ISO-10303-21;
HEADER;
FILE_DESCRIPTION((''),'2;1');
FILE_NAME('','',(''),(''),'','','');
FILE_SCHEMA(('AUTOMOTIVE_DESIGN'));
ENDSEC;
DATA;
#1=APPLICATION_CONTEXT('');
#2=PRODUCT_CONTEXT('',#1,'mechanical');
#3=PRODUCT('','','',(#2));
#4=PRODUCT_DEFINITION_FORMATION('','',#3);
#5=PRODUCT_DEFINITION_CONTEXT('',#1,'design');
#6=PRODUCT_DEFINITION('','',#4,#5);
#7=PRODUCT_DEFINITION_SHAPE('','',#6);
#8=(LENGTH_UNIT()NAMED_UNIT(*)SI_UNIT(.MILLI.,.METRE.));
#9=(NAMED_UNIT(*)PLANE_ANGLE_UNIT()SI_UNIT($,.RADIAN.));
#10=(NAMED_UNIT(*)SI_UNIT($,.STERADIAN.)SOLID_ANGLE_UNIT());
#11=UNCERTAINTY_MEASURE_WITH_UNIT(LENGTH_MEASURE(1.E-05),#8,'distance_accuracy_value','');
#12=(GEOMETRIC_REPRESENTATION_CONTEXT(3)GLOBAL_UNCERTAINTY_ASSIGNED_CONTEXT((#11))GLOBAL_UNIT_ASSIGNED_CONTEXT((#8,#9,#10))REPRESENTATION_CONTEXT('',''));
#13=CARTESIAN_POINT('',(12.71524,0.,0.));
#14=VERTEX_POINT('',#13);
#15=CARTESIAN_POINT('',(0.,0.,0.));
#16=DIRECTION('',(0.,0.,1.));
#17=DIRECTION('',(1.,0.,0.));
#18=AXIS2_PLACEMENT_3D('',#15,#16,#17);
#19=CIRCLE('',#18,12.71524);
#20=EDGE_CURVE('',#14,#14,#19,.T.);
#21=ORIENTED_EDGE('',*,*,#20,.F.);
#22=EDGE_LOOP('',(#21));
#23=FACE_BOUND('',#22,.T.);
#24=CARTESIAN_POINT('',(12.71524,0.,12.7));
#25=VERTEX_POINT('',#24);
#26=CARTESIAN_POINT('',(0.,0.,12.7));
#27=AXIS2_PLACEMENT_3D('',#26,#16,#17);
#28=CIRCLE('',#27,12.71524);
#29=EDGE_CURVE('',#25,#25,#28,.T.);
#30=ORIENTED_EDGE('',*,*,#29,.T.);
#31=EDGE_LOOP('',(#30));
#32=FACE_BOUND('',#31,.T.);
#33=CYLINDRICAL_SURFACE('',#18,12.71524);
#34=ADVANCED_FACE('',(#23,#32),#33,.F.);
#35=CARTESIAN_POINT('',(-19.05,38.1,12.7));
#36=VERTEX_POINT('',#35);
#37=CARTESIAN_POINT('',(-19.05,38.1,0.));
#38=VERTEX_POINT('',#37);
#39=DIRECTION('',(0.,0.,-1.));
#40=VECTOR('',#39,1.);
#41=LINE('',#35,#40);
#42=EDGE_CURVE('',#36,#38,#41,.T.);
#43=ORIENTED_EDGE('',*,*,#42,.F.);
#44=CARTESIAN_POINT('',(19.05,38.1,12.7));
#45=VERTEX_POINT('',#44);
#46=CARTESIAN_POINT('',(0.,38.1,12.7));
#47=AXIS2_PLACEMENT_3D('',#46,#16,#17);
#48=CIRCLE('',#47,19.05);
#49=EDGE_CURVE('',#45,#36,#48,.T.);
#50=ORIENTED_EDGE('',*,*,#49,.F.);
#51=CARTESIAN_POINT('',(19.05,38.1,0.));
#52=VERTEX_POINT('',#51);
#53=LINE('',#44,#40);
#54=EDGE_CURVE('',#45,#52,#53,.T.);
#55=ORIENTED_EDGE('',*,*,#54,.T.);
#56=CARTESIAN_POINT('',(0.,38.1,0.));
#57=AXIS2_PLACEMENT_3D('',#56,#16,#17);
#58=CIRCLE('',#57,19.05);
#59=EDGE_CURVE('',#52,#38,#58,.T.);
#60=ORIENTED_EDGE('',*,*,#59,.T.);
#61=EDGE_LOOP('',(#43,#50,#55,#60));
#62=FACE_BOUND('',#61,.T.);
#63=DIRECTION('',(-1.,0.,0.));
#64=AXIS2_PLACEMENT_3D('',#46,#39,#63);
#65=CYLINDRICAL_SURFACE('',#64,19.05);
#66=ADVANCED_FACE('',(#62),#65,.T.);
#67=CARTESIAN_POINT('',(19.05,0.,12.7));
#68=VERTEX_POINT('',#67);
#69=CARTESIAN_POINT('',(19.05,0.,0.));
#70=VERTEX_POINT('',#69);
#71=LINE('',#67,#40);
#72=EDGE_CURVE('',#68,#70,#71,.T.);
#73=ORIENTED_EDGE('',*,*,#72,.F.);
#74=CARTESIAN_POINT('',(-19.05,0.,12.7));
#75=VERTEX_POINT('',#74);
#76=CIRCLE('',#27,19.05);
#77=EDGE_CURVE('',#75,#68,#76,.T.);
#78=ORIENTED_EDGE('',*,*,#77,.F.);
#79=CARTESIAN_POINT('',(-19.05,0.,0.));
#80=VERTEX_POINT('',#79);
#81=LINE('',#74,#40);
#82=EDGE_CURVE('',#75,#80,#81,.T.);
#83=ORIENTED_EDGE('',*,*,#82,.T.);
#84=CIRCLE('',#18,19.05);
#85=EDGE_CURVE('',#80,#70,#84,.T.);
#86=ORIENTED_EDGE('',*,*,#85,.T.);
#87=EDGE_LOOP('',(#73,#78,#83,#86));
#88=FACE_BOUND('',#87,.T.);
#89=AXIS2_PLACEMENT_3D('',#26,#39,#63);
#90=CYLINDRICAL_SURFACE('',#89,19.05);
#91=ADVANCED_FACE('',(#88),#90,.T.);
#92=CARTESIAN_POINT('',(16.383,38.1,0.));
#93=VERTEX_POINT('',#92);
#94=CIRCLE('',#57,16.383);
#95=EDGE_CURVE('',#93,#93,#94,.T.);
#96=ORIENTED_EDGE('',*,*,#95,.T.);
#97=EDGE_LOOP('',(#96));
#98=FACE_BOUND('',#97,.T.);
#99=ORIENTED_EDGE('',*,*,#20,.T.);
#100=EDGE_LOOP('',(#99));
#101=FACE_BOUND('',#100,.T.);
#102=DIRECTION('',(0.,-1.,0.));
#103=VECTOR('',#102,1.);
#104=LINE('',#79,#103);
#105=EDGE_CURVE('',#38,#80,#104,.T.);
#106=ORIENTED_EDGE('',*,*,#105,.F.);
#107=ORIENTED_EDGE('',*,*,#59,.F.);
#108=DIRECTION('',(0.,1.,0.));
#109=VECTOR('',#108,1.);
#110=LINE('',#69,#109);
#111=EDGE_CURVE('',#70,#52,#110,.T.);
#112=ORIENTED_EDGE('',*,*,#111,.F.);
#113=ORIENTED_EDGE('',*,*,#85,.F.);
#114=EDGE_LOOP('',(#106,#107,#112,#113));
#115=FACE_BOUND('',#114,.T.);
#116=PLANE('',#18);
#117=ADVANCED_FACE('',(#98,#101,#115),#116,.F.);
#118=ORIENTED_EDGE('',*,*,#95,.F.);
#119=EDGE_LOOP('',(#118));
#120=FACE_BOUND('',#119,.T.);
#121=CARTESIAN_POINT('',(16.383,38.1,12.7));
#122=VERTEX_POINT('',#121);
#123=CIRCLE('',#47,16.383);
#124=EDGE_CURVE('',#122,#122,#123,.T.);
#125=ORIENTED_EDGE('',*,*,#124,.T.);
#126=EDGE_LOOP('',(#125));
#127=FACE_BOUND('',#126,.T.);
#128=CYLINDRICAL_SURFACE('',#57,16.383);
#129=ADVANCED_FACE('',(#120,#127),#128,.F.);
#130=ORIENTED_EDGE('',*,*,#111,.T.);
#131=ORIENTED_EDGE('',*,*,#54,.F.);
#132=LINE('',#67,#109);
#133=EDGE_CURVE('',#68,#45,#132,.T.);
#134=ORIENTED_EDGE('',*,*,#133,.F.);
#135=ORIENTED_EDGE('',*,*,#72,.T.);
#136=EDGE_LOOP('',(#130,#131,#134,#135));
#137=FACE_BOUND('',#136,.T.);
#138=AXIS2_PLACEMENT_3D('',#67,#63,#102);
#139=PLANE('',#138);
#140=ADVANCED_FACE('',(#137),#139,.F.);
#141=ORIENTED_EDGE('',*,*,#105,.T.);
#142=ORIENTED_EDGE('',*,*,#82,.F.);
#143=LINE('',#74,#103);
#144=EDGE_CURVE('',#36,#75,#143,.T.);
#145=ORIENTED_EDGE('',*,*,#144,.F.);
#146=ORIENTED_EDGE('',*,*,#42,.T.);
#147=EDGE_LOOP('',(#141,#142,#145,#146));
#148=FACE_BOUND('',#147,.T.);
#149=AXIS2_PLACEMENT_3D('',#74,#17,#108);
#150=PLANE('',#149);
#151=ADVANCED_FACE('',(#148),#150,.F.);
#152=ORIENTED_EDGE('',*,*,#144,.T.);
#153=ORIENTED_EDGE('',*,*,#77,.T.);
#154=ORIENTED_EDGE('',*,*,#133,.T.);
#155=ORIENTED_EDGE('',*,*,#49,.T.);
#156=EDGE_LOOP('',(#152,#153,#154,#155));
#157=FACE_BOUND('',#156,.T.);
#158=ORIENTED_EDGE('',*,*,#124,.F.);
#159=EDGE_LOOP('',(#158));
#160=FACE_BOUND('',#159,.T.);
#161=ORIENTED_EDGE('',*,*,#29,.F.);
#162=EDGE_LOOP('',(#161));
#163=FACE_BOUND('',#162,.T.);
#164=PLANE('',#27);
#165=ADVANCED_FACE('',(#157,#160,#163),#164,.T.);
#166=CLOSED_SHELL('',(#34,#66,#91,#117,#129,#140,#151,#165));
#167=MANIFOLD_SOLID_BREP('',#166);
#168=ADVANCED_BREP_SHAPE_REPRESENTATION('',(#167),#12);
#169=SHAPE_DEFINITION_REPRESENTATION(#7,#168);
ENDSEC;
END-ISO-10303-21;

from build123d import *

# Parameters (mm, degrees)
BOSS_EXTRUDE1_DEPTH     = 12.7
CUT_EXTRUDE1_DEPTH      = 62.565534189
CUT_EXTRUDE1_DEPTH_BACK = 62.565534189
SKETCH2_R               = 12.71524
CUT_EXTRUDE2_DEPTH      = 62.565534189
CUT_EXTRUDE2_DEPTH_BACK = 62.565534189
SKETCH3_R               = 16.383


with BuildPart() as part:
    # Sketch1 → Boss-Extrude1 (new body)
    with BuildSketch(Plane.XY):
        with BuildLine():
            Line((-19.05, 0), (-19.05, 38.1))
            ThreePointArc((-19.05, 38.1), (0, 57.15), (19.05, 38.1))
            Line((19.05, 38.1), (19.05, 0))
            ThreePointArc((19.05, 0), (0, -19.05), (-19.05, 0))
        make_face()
    extrude(amount=BOSS_EXTRUDE1_DEPTH)

    # Sketch2 → Cut-Extrude1 (cut, two sides: drawn at the far end of the back side and taken through both)
    with BuildSketch(Plane.XY.offset(12.7).offset(-CUT_EXTRUDE1_DEPTH_BACK)):
        Circle(SKETCH2_R)
    extrude(amount=CUT_EXTRUDE1_DEPTH + CUT_EXTRUDE1_DEPTH_BACK, mode=Mode.SUBTRACT)

    # Sketch3 → Cut-Extrude2 (cut, two sides: drawn at the far end of the back side and taken through both)
    with BuildSketch(Plane.XY.offset(12.7).offset(-CUT_EXTRUDE2_DEPTH_BACK)):
        with Locations((0, 38.1)):
            Circle(SKETCH3_R)
    extrude(amount=CUT_EXTRUDE2_DEPTH + CUT_EXTRUDE2_DEPTH_BACK, mode=Mode.SUBTRACT)


solid = part.part
